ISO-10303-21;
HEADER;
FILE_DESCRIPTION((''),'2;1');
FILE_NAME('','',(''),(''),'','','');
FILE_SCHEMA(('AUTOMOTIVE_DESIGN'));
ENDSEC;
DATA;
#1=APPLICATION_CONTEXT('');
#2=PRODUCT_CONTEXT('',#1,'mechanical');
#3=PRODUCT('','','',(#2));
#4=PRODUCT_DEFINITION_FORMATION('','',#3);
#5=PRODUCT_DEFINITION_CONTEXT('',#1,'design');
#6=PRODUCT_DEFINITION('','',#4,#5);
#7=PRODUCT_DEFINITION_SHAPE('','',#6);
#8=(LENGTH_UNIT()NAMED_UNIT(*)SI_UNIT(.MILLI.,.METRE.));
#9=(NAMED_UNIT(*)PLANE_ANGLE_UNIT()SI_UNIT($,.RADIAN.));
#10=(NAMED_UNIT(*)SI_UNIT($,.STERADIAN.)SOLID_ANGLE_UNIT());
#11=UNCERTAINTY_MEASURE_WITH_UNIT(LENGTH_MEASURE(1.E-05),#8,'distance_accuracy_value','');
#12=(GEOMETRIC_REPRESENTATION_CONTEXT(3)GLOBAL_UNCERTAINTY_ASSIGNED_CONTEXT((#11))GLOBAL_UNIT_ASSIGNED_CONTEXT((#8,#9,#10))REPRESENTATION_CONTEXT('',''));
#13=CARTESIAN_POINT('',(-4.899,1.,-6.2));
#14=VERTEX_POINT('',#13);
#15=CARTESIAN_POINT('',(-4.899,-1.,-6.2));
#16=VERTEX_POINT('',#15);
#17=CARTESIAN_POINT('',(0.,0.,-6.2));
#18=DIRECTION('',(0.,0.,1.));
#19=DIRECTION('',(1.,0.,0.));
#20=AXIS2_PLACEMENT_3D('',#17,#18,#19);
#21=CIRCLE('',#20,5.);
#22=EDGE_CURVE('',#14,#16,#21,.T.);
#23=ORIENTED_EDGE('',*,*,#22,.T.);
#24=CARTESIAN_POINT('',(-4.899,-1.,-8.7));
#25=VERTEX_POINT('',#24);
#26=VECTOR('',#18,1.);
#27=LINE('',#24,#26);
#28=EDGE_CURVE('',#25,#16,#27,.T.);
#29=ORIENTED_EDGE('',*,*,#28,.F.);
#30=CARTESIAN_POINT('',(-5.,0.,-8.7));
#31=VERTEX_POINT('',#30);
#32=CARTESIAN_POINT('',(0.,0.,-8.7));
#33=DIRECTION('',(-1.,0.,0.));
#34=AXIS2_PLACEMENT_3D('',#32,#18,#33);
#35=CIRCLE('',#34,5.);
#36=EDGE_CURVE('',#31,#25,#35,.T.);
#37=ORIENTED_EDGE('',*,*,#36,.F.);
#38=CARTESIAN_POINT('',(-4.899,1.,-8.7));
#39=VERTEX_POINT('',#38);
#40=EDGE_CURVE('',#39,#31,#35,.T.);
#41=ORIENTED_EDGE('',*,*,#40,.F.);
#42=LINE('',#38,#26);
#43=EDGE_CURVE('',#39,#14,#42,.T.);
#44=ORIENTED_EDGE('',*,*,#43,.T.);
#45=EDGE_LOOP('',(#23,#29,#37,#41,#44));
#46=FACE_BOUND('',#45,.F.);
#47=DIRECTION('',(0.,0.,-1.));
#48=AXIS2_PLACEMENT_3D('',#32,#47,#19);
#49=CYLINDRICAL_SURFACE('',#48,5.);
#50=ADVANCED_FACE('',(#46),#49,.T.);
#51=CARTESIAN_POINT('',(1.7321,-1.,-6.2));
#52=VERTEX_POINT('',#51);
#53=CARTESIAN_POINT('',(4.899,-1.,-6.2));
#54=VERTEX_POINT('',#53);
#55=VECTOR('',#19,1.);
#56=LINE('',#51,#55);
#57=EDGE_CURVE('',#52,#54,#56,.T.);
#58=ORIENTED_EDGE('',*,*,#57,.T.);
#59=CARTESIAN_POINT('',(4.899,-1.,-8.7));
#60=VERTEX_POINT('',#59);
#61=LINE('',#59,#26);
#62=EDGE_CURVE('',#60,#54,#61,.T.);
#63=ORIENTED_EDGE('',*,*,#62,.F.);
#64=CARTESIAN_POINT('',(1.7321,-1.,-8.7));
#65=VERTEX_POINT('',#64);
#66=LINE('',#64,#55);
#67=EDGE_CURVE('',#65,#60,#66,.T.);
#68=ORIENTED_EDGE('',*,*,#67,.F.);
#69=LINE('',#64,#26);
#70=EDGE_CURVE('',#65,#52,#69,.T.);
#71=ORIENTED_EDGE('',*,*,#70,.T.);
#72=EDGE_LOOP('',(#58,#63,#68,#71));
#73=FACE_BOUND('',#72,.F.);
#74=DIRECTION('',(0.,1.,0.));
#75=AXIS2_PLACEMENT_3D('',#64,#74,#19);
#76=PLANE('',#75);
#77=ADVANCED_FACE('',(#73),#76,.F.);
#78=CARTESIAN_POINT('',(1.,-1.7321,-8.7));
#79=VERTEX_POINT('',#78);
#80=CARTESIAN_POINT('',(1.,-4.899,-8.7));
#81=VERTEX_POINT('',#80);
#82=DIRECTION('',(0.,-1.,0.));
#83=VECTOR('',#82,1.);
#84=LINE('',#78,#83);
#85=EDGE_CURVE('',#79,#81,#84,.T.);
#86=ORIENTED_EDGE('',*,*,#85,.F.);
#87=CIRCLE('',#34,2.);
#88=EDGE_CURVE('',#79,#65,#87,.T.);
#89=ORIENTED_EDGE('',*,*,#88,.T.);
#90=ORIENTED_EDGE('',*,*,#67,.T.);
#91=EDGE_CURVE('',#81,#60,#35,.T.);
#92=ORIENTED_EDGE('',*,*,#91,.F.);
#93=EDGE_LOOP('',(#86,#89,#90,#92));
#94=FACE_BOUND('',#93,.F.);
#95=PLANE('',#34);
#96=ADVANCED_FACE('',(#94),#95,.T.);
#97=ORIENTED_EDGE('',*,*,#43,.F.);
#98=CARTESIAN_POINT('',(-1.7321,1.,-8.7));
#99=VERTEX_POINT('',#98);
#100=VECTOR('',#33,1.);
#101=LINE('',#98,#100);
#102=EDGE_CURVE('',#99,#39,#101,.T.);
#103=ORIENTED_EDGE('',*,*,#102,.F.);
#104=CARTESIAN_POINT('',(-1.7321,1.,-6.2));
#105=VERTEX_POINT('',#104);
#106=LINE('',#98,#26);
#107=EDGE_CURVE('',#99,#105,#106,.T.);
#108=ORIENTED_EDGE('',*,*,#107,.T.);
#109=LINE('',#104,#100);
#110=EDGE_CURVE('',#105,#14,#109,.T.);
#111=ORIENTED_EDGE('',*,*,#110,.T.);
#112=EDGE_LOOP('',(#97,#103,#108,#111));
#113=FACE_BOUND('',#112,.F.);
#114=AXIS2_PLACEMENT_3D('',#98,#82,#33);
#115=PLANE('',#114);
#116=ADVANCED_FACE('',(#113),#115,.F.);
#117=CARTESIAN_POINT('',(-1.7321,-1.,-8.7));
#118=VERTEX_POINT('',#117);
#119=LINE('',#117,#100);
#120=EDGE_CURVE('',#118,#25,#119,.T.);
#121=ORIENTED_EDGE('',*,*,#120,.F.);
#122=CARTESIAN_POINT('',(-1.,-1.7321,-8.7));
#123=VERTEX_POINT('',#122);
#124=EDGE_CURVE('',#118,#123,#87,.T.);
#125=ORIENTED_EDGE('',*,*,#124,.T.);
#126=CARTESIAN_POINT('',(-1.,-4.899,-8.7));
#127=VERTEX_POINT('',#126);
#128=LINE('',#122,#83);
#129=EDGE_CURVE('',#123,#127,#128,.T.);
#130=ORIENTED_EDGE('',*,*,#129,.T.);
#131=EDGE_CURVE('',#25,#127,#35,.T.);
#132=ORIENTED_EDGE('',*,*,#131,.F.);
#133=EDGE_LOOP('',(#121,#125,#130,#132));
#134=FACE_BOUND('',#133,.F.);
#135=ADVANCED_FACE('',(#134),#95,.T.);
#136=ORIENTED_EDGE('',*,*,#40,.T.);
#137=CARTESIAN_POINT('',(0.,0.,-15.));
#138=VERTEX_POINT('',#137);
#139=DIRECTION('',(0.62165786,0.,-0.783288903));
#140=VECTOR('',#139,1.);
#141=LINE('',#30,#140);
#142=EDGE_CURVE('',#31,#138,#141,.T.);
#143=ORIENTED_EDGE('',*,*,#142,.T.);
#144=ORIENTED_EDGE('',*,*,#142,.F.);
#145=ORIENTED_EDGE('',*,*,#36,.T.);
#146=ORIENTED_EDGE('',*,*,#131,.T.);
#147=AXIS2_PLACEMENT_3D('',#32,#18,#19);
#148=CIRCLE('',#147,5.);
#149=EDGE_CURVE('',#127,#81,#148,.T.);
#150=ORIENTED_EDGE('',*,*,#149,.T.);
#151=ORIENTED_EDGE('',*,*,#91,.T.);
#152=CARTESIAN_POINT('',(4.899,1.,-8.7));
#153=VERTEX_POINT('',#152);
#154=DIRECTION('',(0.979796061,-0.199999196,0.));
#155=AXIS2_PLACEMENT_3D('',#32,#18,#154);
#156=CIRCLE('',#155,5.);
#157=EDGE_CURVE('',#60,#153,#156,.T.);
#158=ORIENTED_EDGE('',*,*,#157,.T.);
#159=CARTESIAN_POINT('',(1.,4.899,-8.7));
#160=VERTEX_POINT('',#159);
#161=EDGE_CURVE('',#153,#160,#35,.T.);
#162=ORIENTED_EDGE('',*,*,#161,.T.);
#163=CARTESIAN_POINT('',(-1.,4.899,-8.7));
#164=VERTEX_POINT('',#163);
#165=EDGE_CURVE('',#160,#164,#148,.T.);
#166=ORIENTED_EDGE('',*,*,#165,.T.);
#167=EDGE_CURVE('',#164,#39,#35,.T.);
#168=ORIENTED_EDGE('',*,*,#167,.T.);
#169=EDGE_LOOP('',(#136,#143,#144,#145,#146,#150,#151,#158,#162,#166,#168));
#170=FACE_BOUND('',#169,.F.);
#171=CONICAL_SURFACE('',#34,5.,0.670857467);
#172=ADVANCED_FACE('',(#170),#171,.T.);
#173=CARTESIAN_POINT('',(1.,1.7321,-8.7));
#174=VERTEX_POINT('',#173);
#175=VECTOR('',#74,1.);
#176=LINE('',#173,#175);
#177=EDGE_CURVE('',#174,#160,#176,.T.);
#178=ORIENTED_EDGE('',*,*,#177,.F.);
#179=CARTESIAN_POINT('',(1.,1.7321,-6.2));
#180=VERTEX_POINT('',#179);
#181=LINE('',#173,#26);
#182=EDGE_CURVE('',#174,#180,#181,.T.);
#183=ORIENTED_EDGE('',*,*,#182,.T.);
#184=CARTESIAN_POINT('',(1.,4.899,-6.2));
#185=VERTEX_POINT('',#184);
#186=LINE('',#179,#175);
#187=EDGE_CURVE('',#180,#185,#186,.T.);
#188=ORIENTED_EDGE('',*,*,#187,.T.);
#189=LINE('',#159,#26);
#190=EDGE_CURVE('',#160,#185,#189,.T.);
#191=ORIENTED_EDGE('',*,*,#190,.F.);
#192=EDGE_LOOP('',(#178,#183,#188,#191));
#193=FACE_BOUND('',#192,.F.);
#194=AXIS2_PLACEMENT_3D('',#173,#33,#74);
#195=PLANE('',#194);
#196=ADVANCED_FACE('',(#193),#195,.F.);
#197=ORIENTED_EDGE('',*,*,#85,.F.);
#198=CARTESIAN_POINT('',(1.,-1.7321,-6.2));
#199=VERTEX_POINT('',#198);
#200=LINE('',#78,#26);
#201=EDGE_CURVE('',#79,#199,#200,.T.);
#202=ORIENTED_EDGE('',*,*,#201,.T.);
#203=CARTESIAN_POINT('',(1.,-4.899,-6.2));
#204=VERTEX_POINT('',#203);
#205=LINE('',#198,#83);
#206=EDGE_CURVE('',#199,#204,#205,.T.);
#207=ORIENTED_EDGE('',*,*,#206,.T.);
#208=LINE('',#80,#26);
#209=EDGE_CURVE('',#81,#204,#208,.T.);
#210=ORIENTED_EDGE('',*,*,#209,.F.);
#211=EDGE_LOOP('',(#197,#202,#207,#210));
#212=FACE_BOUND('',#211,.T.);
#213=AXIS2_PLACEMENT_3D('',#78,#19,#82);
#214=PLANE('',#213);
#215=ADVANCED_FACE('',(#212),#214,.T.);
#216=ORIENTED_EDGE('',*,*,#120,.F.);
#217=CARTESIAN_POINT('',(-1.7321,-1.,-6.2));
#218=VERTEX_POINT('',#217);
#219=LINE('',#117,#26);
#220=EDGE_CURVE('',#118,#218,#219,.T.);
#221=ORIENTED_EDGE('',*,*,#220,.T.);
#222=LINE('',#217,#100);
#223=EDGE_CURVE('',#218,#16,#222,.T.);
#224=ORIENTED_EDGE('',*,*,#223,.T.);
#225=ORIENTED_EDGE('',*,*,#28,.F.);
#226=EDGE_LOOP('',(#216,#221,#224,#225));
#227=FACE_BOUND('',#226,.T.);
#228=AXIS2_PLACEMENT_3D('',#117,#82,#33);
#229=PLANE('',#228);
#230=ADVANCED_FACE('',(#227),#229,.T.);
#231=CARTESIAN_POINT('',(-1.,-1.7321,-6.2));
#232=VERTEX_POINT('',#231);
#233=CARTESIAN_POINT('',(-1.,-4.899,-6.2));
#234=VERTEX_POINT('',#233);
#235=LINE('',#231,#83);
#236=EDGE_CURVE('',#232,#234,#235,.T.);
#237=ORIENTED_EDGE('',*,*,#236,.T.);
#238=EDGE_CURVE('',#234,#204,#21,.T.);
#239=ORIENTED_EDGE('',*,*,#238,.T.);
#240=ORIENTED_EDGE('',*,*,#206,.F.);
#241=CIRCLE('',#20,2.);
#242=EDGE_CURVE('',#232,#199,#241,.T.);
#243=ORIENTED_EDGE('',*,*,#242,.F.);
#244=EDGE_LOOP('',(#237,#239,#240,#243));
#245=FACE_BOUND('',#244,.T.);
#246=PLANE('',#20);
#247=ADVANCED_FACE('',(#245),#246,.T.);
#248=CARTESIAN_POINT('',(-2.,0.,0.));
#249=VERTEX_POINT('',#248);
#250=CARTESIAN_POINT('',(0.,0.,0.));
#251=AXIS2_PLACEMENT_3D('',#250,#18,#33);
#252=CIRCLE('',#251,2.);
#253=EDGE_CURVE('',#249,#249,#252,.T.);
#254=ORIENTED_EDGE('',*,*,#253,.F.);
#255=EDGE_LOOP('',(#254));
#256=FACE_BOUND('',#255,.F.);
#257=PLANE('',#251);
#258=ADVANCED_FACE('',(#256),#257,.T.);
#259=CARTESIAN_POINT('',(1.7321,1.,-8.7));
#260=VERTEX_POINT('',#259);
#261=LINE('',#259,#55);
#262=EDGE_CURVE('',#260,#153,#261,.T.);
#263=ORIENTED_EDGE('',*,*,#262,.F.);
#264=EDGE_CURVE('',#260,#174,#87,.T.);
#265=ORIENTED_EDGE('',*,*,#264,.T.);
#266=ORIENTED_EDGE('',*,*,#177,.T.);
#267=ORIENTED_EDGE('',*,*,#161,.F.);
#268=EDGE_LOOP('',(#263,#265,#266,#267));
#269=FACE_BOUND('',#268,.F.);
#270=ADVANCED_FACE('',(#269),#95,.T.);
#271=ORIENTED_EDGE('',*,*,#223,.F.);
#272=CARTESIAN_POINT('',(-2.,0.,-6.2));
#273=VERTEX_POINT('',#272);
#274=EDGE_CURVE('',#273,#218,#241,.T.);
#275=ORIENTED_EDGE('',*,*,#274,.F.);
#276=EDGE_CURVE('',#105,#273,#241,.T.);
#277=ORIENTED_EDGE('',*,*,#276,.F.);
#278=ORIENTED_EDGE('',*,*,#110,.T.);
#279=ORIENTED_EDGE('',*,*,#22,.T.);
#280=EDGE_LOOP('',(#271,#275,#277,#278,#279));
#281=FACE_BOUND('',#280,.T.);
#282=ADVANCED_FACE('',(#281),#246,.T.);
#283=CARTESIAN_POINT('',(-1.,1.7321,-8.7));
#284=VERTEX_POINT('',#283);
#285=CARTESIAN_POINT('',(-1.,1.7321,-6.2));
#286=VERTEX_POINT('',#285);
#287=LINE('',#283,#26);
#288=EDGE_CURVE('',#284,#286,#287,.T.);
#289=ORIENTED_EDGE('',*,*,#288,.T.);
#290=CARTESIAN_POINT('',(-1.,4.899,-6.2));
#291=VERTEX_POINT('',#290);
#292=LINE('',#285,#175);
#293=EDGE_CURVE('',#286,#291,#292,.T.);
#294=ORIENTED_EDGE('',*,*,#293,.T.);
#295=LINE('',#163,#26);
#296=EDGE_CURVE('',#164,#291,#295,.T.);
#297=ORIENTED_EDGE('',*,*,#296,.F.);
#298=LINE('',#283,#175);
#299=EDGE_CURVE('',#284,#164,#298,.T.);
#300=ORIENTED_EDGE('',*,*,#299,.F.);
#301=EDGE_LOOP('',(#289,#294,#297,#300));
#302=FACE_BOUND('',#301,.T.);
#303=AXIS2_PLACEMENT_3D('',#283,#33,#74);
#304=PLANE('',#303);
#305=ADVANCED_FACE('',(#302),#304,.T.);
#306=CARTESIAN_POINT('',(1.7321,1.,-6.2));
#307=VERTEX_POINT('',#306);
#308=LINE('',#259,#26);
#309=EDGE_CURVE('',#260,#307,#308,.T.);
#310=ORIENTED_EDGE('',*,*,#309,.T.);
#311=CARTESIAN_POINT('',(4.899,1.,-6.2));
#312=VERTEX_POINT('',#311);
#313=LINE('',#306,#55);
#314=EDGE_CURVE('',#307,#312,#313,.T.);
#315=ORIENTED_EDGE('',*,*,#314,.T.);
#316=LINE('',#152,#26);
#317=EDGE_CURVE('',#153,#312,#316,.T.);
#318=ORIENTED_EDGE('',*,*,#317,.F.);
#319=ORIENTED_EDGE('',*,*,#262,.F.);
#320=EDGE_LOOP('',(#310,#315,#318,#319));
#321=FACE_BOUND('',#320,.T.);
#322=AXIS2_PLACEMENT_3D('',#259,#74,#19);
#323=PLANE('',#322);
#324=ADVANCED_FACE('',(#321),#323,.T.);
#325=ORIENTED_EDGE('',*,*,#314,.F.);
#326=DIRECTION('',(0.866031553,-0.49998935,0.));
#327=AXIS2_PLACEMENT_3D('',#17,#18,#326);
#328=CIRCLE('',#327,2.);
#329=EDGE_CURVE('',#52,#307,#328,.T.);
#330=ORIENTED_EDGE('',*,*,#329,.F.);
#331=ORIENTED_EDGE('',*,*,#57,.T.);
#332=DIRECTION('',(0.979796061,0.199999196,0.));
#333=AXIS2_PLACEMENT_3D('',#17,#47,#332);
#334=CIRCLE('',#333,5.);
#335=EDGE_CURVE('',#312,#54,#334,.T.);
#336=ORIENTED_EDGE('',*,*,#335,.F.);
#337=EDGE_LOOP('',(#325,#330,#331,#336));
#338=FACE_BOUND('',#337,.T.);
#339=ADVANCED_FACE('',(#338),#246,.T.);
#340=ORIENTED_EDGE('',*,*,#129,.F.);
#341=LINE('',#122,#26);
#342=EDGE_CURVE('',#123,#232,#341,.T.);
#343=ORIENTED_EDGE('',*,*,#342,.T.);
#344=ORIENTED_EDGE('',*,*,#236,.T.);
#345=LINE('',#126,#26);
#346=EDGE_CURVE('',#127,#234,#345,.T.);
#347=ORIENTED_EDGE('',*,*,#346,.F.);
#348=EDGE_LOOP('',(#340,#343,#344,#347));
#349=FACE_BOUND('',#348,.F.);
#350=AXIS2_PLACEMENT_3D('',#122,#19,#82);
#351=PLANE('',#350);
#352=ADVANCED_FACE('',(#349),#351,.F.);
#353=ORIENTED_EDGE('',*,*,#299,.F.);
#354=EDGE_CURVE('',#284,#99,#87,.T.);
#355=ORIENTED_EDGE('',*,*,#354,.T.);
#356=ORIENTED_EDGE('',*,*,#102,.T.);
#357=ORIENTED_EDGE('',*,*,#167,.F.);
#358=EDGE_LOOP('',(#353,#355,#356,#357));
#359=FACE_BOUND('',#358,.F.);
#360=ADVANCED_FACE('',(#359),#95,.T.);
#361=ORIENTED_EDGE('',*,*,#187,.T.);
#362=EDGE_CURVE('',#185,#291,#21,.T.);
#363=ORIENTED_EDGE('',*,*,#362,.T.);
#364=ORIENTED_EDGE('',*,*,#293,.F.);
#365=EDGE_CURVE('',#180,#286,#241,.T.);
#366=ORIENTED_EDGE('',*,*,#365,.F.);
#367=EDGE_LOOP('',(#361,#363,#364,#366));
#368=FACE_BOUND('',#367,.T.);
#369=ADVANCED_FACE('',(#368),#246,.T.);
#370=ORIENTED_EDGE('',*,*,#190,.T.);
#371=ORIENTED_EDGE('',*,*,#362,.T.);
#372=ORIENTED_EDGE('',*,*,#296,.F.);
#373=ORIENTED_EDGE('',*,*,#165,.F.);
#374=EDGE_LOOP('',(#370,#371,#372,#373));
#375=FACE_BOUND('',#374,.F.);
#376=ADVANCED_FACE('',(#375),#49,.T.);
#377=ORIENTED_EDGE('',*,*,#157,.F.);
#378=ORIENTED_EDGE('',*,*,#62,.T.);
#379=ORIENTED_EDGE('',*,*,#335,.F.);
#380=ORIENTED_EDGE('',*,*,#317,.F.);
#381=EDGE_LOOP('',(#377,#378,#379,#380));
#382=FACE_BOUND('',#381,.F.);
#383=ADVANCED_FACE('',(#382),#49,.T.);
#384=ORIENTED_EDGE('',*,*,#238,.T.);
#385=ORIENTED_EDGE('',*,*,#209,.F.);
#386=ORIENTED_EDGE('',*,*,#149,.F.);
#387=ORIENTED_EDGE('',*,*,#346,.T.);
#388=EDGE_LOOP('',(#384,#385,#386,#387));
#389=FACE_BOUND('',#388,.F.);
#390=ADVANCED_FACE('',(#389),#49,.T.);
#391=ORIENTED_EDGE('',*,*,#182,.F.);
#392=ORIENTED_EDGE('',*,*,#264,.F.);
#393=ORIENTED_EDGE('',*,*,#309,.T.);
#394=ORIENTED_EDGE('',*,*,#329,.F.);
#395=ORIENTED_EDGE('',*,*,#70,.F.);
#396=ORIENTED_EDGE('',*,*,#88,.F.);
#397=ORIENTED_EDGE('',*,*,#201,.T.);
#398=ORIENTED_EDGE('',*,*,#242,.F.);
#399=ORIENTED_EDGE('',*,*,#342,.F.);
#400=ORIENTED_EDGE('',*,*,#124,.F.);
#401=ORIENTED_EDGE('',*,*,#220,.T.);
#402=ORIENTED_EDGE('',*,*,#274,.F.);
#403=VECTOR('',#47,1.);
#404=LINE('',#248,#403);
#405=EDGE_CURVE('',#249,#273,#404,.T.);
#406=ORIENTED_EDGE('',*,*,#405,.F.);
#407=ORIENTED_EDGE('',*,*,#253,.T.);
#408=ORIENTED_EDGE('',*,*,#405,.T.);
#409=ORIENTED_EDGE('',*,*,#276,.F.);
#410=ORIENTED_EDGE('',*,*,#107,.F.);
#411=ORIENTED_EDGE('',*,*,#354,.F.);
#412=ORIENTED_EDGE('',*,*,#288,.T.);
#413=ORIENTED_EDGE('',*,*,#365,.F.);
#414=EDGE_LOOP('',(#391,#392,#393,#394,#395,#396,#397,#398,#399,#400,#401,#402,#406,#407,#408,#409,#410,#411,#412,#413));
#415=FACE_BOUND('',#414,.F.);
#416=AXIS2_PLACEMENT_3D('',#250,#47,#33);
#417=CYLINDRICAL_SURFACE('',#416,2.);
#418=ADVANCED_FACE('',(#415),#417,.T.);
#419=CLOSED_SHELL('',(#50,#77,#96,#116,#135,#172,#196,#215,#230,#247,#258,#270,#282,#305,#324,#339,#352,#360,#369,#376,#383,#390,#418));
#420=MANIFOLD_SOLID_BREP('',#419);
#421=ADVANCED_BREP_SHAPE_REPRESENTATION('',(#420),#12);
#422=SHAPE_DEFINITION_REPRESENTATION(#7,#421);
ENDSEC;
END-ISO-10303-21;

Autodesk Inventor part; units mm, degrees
ref_plane "YZ Plane" through (0, 0, 0) normal (1, 0, 0) x (0, 1, 0)
ref_plane "XZ Plane" through (0, 0, 0) normal (0, 1, 0) x (-1, 0, 0)
ref_plane "XY Plane" through (0, 0, 0) normal (0, 0, 1) x (1, 0, 0)
sketch "Sketch1" plane through (0, 0, 0) normal (0, 1, 0) x (-1, 0, 0)
  line L0 (0, 0) -> (2, 0)
  line L1 (2, 0) -> (2, -8.7)
  line L2 (2, -8.7) -> (5, -8.7)
  line L3 (5, -8.7) -> (0, -15)
  line L4 (0, -15) -> (0, 0)
  dimension "d0" = 15
  dimension "d1" = 5
  dimension "d3" = 2
  dimension "d5" = 8.7
revolve "Revolution1" add sketch "Sketch1" angle 360 about axis through (0, 0, -15) along (0, 0, 1)
sketch "Sketch2" plane through (0, 0, -8.7) normal (0, 0, 1) x (1, 0, 0)
  circle A0 centre (0, 0) radius 2 projected
  circle A1 centre (0, 0) radius 5 projected
  line L0 (1.7321, 1) -> (4.899, 1)
  line L1 (0, 0) -> (5, 0) construction
  line L2 (1.7321, -1) -> (4.899, -1)
  line L3 (-1, 1.7321) -> (-1, 4.899)
  line L4 (1, 1.7321) -> (1, 4.899)
  line L5 (-1.7321, -1) -> (-4.899, -1)
  line L6 (-1.7321, 1) -> (-4.899, 1)
  line L7 (1, -1.7321) -> (1, -4.899)
  line L8 (-1, -1.7321) -> (-1, -4.899)
  dimension "d8" = 1
  dimension "d11" = 360
extrude "Extrusion1" add sketch "Sketch2" along normal blind 2.5 contours A0 L0 A1 L2 | A0 L3 A1 L4 | L7 A1 L8 A0 | A0 L5 A1 L6
properties part number "Goma tacómetro"
